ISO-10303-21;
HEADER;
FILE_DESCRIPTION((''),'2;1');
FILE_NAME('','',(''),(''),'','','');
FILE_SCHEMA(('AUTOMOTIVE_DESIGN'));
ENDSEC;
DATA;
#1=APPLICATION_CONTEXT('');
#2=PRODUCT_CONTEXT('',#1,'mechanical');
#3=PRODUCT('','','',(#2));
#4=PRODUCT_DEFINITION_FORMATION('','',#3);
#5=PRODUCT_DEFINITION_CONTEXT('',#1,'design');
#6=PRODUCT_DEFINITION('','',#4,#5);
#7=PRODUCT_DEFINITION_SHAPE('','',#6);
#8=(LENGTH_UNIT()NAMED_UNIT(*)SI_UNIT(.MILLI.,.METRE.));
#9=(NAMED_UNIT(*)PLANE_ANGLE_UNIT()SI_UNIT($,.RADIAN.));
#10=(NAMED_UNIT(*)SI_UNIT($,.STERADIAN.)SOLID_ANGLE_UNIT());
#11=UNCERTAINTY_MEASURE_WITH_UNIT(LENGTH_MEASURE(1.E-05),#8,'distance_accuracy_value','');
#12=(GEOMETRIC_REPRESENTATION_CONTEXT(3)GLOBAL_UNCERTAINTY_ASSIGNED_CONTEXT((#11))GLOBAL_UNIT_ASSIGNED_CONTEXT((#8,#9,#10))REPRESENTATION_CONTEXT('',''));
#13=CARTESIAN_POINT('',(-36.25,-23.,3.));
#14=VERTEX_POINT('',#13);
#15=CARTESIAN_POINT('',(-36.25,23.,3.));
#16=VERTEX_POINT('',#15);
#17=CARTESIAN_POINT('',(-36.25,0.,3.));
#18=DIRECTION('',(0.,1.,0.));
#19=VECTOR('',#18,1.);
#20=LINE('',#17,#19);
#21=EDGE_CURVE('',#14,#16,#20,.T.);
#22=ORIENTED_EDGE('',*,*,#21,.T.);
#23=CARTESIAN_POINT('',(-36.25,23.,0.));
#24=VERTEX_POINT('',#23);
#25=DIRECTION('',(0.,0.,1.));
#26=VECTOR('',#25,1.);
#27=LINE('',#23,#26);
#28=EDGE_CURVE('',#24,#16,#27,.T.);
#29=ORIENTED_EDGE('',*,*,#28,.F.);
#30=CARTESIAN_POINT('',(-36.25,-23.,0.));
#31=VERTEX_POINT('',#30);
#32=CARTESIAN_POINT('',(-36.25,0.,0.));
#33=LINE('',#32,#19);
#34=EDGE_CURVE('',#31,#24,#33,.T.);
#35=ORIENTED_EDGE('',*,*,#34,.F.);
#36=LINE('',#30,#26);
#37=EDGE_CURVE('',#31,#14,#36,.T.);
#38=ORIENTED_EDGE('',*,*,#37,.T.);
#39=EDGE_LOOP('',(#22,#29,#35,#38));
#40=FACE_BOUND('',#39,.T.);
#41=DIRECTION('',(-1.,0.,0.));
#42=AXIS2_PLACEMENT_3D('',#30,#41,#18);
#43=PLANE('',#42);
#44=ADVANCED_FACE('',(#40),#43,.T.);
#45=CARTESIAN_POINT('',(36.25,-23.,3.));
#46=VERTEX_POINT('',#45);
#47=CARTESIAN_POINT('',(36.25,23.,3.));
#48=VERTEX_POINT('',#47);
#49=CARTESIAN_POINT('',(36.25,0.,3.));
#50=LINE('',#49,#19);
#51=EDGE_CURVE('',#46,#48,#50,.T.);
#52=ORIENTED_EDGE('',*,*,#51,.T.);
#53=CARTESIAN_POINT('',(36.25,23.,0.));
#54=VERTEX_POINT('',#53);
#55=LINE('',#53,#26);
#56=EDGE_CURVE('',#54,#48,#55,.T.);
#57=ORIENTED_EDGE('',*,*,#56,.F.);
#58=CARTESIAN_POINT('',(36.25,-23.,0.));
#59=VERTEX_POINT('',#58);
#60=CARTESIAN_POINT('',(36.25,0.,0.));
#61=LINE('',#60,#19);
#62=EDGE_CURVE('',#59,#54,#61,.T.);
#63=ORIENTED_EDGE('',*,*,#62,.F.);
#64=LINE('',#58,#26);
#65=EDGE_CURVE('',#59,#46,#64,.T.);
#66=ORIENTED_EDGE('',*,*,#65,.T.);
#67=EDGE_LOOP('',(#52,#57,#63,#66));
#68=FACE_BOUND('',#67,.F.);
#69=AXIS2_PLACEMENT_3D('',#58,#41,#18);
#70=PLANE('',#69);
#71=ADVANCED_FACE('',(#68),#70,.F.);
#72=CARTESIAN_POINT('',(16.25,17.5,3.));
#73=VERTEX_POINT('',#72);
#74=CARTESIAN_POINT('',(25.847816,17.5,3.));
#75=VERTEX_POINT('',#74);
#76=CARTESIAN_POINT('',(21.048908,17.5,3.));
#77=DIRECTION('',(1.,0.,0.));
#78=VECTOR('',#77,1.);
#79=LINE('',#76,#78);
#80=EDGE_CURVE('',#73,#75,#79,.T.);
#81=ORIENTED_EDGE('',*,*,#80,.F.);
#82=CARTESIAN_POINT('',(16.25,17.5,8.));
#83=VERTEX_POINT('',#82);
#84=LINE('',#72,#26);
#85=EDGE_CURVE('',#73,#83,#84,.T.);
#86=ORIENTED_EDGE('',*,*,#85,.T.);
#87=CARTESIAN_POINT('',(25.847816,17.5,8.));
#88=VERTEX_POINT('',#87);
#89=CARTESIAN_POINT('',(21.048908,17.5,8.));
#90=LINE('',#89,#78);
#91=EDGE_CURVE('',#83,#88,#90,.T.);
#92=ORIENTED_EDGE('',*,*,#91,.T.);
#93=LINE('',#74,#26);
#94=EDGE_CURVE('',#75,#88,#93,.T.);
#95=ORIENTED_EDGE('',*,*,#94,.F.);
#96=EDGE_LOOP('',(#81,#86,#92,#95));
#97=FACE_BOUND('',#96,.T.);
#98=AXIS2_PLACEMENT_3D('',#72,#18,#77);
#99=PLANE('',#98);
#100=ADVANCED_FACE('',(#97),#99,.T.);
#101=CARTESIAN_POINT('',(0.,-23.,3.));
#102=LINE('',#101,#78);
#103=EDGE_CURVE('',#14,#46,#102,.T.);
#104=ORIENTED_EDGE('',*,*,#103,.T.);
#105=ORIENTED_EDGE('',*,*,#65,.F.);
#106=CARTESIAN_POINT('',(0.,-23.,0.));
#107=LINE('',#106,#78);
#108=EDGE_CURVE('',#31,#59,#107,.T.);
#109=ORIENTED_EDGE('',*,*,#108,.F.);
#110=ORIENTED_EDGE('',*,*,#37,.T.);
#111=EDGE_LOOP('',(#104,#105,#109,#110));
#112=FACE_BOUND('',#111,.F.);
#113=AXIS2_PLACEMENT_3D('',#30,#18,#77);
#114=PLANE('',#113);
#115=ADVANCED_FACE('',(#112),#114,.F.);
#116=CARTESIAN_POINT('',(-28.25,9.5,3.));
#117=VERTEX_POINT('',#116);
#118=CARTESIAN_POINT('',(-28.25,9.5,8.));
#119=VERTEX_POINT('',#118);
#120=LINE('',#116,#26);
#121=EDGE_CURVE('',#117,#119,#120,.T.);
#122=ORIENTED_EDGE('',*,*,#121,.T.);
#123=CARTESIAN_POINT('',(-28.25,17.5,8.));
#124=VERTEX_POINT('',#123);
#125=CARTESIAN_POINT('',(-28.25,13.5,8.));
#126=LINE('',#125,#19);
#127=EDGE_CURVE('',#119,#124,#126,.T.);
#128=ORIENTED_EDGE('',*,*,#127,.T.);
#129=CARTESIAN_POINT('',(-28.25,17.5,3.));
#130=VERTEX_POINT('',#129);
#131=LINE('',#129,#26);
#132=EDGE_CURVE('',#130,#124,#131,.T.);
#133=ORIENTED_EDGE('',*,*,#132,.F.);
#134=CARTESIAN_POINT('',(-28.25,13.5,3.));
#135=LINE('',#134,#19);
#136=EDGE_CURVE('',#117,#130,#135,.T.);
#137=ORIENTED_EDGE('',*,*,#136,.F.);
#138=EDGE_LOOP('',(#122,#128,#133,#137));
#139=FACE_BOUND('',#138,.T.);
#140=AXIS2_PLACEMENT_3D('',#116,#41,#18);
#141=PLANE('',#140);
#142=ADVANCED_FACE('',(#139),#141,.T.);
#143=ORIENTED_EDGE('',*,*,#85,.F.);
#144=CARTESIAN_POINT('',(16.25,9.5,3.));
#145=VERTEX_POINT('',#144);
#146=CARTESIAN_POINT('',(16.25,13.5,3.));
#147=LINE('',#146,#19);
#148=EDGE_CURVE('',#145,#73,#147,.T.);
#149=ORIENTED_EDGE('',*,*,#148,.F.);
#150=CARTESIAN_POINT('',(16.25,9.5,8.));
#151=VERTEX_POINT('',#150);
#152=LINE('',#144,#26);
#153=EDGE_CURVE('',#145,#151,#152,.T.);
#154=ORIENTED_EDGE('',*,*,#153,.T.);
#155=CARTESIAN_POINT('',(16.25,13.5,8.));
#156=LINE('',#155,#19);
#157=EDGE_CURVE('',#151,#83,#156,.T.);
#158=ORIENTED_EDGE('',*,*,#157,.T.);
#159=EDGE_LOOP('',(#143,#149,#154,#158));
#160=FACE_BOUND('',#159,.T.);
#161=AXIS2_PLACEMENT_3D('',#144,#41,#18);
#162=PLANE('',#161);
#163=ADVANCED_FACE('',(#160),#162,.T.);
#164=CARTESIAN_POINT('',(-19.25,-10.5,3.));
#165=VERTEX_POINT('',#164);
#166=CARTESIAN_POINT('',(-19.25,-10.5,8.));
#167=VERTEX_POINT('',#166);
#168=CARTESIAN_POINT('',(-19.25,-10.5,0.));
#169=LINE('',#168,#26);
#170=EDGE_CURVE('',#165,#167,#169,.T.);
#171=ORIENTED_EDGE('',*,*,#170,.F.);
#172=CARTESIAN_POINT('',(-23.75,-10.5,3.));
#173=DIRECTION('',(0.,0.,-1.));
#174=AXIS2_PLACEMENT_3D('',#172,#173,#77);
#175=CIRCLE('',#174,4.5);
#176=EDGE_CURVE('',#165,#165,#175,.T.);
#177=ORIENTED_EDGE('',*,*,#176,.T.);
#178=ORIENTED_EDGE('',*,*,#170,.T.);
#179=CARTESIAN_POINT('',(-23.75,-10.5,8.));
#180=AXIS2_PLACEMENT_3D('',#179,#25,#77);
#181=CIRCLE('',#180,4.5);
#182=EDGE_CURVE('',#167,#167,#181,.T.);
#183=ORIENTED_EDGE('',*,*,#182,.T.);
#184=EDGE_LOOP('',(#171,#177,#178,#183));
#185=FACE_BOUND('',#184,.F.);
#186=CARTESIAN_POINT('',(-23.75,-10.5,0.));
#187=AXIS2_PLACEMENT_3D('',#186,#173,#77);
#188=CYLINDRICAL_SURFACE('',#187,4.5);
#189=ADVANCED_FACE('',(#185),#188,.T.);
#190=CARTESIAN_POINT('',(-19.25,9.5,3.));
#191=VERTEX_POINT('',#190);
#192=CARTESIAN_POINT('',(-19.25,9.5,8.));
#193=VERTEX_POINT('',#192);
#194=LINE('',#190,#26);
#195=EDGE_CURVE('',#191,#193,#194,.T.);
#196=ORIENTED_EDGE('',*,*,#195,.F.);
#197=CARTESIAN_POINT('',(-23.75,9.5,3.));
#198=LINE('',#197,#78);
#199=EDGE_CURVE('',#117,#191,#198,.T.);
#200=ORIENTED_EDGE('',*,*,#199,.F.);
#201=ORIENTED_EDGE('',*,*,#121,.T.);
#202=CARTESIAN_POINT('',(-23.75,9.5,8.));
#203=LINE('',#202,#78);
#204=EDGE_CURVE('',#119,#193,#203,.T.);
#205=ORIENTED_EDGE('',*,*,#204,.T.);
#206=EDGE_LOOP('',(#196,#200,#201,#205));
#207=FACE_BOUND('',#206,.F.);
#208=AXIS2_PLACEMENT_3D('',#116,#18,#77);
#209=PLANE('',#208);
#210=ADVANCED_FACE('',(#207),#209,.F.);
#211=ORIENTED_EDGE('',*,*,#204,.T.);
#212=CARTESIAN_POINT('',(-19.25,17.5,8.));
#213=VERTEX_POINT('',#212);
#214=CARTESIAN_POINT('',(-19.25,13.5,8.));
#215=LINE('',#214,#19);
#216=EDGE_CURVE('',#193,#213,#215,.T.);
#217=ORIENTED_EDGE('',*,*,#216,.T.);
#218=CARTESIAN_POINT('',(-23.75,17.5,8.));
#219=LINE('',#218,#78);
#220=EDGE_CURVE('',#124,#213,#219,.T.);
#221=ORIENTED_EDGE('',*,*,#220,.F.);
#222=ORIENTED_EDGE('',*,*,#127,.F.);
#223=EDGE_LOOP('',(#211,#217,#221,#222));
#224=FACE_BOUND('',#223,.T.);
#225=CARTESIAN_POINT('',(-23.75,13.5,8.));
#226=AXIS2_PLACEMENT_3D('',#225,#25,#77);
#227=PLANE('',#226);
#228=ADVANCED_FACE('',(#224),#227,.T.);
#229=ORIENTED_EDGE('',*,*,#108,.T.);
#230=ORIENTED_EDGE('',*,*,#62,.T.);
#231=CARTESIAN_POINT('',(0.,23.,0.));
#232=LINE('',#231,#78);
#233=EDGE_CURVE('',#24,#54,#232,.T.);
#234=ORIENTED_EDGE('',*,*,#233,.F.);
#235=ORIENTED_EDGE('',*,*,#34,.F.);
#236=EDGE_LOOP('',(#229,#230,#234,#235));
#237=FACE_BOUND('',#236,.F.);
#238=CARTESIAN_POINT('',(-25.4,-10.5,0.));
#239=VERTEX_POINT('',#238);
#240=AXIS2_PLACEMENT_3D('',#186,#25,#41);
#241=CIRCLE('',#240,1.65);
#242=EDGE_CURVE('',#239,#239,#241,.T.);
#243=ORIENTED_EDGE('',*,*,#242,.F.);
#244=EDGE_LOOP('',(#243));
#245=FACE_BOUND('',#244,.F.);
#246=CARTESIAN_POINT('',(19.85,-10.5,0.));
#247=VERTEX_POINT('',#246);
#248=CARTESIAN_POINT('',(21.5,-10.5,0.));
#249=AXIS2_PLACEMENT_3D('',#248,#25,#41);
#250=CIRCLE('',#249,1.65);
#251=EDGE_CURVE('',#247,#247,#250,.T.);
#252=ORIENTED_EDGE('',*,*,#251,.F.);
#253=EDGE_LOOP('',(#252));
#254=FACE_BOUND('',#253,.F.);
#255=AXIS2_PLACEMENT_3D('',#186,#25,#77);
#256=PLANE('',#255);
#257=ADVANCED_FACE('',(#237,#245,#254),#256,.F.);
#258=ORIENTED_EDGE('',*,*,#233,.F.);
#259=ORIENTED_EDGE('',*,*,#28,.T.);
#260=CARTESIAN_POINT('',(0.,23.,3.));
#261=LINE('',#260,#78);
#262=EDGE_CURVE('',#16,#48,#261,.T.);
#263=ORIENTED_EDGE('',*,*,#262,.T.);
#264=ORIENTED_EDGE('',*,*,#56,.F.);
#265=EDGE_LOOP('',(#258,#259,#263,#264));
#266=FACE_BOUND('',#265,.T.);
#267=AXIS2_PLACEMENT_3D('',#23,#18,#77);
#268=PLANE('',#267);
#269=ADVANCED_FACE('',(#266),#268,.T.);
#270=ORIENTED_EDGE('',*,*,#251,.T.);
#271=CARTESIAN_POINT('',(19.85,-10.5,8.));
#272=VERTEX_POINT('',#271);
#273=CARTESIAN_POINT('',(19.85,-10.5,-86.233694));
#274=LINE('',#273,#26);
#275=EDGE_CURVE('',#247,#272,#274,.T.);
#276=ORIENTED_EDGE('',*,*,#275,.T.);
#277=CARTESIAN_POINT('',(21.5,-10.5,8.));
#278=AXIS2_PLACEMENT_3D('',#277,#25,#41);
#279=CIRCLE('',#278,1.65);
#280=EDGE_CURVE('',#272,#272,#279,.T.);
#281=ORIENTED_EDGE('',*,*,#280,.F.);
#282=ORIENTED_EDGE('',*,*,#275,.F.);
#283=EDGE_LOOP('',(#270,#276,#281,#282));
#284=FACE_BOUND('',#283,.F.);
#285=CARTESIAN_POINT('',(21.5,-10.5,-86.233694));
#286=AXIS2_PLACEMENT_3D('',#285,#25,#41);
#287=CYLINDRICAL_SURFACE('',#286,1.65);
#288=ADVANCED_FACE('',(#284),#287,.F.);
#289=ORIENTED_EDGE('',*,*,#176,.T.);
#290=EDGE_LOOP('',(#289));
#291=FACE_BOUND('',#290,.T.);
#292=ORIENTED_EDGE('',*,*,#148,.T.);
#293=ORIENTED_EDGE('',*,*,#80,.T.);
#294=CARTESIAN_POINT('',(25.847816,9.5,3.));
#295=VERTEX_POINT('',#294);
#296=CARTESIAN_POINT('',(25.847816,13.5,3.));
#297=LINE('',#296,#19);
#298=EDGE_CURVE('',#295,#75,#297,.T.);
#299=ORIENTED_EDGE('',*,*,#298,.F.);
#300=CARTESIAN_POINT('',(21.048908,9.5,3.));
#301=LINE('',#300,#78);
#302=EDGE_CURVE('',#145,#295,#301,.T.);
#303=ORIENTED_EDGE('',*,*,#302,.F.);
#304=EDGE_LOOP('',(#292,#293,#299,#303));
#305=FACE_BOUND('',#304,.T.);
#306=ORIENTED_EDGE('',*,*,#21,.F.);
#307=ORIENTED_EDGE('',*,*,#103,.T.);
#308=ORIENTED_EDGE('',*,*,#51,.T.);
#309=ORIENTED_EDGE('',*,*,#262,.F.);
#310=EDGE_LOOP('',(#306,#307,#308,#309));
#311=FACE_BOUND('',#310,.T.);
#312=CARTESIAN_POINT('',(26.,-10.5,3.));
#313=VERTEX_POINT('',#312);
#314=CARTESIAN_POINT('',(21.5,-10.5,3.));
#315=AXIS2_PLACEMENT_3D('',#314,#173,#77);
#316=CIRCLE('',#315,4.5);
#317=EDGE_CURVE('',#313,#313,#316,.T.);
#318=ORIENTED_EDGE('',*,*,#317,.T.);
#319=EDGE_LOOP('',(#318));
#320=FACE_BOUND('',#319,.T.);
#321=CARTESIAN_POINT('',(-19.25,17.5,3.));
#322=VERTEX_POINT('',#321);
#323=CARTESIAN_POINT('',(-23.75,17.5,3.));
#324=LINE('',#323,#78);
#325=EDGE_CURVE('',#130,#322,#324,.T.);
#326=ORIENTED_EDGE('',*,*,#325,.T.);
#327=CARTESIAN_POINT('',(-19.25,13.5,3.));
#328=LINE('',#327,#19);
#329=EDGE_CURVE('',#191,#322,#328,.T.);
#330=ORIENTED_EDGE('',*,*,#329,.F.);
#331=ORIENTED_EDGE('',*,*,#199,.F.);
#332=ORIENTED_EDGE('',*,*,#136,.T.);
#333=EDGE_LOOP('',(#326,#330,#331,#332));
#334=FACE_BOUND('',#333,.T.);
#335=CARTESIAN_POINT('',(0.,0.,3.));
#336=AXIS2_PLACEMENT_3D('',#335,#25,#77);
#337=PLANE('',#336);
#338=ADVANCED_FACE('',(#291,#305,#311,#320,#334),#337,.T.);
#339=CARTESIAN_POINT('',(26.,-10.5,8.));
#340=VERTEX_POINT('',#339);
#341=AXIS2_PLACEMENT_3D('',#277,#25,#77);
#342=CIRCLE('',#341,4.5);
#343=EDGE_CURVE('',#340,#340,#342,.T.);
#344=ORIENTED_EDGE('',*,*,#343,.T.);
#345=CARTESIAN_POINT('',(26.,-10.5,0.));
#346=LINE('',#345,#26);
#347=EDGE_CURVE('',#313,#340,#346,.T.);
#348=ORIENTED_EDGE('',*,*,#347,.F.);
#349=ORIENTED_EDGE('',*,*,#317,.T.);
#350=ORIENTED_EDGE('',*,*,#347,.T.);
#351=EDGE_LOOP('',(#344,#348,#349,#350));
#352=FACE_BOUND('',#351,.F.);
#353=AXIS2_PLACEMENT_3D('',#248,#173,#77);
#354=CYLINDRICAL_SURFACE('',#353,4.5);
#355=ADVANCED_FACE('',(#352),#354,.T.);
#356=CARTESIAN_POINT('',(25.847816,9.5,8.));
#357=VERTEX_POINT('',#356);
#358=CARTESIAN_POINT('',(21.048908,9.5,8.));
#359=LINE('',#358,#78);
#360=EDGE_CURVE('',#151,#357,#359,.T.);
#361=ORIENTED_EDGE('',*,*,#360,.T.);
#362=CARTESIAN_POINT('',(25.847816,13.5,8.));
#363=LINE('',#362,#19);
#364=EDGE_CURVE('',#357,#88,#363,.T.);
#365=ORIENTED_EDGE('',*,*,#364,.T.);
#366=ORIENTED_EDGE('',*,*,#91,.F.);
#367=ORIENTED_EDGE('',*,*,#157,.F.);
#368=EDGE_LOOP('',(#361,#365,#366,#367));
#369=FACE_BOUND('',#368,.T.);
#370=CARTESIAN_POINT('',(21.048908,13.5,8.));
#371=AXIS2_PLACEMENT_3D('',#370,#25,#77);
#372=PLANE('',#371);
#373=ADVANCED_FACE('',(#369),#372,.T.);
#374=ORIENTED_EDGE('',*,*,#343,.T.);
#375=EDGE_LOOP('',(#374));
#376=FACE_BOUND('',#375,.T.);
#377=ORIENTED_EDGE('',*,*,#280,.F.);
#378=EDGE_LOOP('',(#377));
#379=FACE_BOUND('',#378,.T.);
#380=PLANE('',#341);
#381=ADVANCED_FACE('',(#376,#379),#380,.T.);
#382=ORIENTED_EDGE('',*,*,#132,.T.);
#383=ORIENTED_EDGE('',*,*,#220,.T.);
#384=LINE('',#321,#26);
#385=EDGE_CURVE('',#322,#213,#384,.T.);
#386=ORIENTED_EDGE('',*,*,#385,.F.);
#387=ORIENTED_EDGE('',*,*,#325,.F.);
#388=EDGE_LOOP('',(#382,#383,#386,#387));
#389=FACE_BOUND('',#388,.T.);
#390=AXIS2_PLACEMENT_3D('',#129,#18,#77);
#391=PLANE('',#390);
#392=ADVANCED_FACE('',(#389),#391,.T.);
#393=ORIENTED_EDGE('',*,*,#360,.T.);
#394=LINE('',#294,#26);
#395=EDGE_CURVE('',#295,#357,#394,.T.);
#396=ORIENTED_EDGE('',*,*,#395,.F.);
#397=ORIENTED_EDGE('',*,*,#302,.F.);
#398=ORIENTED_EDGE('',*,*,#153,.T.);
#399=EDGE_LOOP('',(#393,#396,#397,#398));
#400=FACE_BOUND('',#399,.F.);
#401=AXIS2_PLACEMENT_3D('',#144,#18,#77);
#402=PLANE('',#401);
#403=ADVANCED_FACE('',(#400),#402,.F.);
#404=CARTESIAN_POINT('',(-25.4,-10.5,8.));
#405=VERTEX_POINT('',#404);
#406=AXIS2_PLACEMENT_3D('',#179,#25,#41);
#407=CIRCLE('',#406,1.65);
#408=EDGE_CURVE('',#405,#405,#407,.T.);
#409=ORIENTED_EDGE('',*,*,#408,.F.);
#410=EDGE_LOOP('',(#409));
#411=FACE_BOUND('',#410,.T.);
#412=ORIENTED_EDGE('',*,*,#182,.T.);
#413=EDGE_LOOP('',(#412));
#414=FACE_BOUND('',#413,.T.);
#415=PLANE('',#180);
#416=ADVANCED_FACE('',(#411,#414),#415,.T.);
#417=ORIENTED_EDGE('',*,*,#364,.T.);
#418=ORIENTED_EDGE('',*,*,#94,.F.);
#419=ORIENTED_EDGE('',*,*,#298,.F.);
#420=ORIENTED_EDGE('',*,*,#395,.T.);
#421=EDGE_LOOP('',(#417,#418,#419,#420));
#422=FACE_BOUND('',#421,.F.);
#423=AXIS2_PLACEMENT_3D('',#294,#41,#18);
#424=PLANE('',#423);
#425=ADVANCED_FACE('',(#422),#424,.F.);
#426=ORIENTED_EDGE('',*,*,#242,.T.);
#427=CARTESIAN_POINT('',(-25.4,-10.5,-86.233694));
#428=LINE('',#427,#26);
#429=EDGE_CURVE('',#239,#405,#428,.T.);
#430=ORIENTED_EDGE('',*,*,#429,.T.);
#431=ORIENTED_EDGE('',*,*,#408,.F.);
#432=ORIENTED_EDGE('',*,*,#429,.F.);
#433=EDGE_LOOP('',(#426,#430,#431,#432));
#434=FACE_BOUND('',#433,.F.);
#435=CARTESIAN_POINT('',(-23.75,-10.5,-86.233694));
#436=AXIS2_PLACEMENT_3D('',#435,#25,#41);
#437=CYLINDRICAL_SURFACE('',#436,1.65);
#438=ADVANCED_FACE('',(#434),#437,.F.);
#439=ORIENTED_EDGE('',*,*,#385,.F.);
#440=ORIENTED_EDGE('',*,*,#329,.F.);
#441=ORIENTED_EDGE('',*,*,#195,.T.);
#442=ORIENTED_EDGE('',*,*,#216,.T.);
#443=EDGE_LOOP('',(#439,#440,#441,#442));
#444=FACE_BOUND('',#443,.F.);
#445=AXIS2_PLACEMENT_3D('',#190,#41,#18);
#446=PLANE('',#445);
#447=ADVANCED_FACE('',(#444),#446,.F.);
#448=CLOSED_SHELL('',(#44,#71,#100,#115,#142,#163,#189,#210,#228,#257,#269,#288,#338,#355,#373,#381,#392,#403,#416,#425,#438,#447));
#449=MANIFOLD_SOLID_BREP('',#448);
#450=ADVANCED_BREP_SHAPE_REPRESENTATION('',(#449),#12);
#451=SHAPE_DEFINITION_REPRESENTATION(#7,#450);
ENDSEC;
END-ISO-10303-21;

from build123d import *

# Parameters (mm, degrees)
F0_W     = 72.5
F0_H     = 46
F0_R     = 4.5
F1_DEPTH = 3
F2_DEPTH = 8
F3_D     = 3.3
F4_W     = 9
F4_H     = 8
F5_DEPTH = 5
F6_W     = 9.5978157372
F6_H     = 8
F7_DEPTH = 5


with BuildPart() as f1:
    # F0 (on Top) → F1 (new body)
    with BuildSketch(Plane.XY):
        Rectangle(F0_W, F0_H)
        with Locations((-23.75, -10.5)):
            Circle(F0_R, mode=Mode.SUBTRACT)
        with Locations((21.5, -10.5)):
            Circle(F0_R, mode=Mode.SUBTRACT)
        with Locations((-23.75, -10.5)):
            Circle(F0_R)
        with Locations((21.5, -10.5)):
            Circle(F0_R)
    extrude(amount=F1_DEPTH)

    # F0 (on Top) → F2 (join)
    with BuildSketch(Plane.XY):
        with Locations((-23.75, -10.5)):
            Circle(F0_R)
        with Locations((21.5, -10.5)):
            Circle(F0_R)
    extrude(amount=F2_DEPTH)

    # F3 (through all)
    with Locations(Plane(origin=(0, 0, 0), x_dir=(1, 0, 0), z_dir=(0, 0, -1))):
        with Locations((21.5, 10.5), (-23.75, 10.5)):
            Hole(F3_D / 2)

    # F4 (on face) → F5 (join)
    with BuildSketch(Plane.XY.offset(3)):
        with Locations((-23.75, 13.5)):
            Rectangle(F4_W, F4_H)
    extrude(amount=F5_DEPTH)

    # F6 (on face) → F7 (join)
    with BuildSketch(Plane.XY.offset(3)):
        with Locations((21.0489078686, 13.5)):
            Rectangle(F6_W, F6_H)
    extrude(amount=F7_DEPTH)


solid = f1.part
